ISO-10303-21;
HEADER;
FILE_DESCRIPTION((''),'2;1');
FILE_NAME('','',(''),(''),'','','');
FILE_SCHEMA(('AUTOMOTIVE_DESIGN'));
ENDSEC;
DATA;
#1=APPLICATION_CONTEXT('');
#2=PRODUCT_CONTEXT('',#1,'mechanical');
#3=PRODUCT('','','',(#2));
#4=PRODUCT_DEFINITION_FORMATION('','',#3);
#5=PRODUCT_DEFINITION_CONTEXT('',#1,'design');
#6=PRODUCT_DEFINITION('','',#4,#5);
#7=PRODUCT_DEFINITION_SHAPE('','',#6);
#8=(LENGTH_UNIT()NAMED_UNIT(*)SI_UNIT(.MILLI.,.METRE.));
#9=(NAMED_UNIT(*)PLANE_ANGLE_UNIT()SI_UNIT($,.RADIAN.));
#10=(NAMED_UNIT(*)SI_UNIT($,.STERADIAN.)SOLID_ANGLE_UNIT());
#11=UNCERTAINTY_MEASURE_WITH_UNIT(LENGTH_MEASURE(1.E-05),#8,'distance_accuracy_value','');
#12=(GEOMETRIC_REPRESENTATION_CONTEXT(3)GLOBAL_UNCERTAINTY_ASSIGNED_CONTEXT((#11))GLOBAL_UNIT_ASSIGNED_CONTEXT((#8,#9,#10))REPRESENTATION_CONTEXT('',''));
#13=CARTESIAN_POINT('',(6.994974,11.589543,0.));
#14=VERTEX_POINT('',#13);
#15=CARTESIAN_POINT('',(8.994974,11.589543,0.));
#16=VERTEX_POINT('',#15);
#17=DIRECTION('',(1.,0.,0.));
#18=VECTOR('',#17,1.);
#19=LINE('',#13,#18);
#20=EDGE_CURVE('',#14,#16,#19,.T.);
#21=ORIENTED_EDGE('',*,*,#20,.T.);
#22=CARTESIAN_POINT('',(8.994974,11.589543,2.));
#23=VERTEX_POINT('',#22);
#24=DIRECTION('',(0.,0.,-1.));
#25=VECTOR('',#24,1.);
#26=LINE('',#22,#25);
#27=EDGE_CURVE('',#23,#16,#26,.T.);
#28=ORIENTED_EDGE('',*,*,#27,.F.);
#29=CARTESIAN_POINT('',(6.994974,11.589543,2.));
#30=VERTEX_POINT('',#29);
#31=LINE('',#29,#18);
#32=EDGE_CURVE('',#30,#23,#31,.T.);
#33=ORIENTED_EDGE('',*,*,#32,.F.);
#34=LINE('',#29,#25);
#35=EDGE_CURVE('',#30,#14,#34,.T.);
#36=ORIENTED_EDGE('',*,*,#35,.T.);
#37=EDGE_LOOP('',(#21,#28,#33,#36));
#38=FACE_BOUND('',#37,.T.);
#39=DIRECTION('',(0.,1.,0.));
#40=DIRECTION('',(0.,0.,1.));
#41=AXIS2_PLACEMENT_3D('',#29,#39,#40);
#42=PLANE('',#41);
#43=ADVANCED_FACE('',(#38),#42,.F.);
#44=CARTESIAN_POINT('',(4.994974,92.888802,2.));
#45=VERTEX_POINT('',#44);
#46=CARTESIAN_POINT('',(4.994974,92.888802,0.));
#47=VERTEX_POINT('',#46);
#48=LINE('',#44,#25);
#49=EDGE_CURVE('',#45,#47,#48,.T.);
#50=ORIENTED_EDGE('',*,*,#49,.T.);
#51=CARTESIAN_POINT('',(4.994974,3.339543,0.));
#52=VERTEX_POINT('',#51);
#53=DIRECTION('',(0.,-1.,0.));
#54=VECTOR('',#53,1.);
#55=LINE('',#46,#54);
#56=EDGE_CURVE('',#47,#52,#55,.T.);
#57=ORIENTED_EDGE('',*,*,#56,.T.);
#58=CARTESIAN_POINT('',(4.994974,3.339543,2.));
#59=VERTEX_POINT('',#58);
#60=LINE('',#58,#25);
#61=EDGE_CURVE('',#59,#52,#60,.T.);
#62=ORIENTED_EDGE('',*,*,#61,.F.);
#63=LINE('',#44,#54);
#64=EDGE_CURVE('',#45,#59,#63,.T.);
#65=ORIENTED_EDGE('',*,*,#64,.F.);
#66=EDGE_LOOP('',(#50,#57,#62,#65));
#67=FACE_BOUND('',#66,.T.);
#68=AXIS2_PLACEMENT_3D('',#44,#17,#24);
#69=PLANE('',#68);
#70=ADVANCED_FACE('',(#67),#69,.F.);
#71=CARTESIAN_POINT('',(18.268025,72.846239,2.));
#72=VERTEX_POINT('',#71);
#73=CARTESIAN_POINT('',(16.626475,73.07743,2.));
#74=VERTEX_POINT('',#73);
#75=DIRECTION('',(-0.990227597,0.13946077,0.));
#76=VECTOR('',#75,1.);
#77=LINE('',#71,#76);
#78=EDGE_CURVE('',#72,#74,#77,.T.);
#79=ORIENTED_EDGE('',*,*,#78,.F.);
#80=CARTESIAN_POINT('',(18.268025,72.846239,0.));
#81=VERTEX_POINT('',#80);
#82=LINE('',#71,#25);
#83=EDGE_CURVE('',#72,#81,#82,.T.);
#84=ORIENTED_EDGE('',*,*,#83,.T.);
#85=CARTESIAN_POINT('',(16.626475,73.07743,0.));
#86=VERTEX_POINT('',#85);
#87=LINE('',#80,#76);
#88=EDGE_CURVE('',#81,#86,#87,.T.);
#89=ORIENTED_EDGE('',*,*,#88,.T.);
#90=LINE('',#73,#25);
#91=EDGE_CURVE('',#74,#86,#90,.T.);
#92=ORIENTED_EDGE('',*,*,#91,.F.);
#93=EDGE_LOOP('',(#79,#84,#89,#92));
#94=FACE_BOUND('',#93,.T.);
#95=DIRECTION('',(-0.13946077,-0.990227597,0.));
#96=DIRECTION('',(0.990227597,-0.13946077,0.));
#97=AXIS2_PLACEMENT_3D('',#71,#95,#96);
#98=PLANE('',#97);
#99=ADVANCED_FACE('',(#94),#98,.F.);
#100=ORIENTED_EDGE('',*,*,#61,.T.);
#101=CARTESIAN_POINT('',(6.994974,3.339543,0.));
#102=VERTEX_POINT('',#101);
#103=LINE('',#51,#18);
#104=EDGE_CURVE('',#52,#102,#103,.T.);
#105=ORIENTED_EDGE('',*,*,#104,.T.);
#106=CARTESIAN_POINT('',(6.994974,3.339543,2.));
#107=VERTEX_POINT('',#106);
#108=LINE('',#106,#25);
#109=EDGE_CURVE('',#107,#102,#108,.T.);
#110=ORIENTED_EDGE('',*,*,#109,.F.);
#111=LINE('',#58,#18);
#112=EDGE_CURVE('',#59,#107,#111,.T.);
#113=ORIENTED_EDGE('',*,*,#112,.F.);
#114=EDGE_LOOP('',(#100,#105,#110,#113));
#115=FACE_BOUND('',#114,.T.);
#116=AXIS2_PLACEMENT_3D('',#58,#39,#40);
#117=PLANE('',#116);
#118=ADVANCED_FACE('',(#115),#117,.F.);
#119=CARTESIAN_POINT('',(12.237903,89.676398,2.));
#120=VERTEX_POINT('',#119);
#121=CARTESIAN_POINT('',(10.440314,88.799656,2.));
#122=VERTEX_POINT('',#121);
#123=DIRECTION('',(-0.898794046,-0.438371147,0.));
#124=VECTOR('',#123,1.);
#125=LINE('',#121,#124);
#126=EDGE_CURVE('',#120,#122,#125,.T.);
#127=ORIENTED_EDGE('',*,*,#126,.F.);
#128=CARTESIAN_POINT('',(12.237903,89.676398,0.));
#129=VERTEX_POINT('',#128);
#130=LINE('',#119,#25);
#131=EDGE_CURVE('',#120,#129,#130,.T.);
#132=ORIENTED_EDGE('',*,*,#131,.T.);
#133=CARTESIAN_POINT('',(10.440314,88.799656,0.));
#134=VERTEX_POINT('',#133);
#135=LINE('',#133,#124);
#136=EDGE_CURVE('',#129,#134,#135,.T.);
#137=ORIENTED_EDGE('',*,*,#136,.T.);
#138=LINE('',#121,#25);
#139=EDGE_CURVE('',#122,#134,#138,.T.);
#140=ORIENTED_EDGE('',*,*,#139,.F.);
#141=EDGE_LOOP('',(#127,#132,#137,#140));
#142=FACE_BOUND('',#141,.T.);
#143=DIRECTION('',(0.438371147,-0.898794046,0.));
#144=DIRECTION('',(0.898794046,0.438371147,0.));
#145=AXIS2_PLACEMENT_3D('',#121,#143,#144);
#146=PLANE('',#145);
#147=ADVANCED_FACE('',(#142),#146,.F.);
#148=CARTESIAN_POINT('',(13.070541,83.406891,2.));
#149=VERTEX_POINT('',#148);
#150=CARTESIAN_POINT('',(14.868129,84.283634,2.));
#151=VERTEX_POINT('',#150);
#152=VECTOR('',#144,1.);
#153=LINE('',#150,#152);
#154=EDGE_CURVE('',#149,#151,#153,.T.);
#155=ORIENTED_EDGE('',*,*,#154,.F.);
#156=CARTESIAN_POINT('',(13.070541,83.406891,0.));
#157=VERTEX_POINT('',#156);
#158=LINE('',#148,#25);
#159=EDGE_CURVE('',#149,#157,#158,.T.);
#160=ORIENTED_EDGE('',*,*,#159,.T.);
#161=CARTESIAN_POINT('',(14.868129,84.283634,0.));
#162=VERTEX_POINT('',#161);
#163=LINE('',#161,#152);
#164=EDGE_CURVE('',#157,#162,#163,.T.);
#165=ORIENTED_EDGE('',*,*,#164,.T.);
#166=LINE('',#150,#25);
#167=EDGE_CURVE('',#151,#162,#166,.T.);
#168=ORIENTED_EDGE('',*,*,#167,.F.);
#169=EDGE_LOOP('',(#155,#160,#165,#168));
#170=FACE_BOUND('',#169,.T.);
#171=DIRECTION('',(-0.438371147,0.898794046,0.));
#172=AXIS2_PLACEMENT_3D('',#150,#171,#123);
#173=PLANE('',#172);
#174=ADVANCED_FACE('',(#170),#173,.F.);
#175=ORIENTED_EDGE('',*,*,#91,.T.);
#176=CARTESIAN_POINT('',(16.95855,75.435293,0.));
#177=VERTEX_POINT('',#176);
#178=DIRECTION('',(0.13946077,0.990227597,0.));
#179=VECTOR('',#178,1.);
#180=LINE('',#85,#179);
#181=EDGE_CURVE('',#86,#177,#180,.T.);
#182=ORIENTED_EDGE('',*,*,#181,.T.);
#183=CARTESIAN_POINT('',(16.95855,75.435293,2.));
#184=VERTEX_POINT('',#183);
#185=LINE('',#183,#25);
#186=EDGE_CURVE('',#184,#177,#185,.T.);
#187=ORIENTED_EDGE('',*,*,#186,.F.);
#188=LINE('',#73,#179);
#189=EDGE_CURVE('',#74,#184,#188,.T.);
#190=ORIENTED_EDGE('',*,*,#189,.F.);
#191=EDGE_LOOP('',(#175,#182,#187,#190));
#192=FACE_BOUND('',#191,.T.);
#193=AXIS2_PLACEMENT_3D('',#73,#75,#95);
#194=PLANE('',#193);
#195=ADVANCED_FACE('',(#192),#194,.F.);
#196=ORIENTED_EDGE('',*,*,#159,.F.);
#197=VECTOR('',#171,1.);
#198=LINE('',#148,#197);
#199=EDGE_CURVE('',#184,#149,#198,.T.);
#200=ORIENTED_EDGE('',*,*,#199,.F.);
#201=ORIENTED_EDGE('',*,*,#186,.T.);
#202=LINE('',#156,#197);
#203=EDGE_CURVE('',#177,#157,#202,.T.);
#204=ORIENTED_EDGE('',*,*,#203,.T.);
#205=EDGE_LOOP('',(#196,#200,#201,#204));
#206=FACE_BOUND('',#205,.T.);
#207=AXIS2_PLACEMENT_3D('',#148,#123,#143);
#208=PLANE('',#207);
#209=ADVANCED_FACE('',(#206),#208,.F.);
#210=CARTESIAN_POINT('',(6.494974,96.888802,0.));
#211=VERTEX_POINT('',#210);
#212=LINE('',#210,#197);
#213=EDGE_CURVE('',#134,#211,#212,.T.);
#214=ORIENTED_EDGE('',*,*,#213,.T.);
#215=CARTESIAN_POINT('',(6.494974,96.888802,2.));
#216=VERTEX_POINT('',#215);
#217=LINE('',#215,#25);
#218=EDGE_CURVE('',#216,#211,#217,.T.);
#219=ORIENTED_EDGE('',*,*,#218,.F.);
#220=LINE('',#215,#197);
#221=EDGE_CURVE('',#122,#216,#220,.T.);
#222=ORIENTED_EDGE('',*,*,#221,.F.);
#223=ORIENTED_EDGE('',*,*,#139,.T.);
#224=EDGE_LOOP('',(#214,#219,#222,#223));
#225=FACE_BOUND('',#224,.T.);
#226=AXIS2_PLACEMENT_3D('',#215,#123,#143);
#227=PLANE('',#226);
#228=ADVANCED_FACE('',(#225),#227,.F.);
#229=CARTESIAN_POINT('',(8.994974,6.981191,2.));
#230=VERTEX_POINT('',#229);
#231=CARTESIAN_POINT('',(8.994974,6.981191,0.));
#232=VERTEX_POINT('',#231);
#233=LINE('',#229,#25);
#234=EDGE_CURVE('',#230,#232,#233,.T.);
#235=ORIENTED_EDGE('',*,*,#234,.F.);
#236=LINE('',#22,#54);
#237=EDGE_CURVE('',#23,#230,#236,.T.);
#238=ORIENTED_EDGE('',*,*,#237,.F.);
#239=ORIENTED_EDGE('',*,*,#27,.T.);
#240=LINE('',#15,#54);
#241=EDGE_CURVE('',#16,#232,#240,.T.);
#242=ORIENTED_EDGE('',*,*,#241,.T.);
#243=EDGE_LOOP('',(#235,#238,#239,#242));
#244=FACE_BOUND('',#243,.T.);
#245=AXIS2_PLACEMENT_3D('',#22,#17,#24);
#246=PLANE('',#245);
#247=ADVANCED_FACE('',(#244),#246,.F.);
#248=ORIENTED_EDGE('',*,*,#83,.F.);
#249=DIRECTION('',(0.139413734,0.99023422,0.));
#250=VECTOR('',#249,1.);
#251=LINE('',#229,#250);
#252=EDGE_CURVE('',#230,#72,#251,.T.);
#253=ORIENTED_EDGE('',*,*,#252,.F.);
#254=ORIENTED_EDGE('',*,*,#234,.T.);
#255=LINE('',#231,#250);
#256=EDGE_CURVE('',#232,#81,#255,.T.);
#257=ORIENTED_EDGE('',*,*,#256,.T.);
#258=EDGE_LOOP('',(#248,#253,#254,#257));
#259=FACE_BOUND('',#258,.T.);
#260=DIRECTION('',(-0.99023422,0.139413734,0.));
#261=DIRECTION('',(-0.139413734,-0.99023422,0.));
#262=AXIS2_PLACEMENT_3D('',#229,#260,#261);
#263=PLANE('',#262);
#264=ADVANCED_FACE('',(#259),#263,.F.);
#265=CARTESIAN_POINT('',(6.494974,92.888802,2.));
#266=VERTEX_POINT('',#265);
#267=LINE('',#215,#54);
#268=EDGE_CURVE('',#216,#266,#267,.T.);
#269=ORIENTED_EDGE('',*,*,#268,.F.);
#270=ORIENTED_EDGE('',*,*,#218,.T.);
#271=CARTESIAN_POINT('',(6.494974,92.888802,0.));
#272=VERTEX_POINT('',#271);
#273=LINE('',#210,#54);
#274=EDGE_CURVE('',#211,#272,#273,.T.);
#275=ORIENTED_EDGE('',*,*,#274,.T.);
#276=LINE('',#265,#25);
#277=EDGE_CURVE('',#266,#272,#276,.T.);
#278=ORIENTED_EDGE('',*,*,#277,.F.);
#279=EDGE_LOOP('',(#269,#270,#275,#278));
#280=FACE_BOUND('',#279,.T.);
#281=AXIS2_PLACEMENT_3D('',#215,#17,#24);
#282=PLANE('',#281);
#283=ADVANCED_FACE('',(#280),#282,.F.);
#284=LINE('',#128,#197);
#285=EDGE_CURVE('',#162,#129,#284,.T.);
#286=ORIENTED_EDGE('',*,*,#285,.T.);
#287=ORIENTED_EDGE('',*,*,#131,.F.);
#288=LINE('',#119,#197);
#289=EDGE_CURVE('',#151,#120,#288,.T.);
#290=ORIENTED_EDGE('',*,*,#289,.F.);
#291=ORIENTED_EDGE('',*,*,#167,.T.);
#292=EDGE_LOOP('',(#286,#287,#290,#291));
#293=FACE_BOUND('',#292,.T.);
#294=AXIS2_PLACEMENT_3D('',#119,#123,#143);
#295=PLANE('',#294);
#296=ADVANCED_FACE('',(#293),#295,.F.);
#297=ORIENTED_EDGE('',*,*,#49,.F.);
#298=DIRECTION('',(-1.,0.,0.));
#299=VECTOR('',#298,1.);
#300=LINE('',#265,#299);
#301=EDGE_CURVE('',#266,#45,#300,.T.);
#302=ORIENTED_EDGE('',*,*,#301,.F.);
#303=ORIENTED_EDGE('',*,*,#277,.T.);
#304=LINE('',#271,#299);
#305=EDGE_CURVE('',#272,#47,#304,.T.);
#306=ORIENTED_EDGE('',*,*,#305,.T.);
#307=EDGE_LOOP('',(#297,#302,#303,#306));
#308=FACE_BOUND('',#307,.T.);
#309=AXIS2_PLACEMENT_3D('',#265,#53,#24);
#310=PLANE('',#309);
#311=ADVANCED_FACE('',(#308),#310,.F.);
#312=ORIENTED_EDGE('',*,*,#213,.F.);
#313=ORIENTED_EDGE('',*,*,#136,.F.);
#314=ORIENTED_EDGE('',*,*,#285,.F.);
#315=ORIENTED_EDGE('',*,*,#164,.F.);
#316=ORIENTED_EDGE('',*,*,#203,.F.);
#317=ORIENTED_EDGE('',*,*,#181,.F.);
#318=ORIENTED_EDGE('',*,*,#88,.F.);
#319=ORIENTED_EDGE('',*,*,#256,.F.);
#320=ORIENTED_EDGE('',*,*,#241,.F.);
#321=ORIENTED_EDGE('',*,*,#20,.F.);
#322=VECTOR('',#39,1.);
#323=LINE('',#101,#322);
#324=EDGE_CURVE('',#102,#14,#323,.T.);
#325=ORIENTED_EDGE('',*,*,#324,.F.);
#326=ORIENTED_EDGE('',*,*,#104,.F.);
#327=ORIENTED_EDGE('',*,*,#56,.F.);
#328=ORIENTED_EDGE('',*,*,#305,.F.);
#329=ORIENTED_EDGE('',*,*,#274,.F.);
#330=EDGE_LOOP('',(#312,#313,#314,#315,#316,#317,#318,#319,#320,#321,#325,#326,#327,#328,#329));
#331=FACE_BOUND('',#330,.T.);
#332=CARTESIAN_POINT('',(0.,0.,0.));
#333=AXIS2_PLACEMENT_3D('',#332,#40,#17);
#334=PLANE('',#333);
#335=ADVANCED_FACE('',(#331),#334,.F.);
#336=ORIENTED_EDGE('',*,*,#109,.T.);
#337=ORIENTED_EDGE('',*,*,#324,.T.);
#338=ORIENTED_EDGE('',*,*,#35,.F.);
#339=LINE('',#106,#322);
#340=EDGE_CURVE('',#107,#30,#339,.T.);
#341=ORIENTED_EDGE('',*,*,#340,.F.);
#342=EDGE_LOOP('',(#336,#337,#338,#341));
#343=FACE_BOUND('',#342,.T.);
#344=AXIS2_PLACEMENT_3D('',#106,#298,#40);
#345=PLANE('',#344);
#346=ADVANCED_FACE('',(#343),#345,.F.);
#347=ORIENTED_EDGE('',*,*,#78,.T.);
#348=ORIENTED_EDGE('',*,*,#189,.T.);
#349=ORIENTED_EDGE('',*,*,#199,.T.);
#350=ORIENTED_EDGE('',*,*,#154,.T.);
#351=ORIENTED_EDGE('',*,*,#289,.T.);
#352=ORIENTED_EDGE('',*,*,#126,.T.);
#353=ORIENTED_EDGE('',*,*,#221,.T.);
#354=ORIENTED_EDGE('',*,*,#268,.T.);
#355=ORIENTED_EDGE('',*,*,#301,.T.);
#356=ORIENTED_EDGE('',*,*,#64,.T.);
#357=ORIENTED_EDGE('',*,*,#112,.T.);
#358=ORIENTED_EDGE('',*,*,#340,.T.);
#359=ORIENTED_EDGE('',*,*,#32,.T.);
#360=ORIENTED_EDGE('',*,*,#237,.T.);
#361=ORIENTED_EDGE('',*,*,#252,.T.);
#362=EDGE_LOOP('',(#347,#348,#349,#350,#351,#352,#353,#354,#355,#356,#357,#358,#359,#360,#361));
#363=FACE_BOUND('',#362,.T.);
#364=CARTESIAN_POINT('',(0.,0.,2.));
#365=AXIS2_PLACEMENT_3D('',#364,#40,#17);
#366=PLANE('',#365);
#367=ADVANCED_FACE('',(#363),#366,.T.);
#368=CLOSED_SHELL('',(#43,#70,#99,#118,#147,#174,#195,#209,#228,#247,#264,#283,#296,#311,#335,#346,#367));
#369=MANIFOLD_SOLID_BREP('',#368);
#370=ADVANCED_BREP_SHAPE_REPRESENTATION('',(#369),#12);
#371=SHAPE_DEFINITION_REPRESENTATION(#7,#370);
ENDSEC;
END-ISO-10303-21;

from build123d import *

# Parameters (mm, degrees)
EXTRUDE_1_DEPTH = 2


with BuildPart() as part:
    # 草图1 → 凸台-拉伸1 (new body)
    with BuildSketch(Plane.XY):
        Polygon((6.494974155, 96.888801997), (6.494974155, 92.888801997), (4.994974155, 92.888801997), (4.994974155, 3.339543319), (6.994974155, 3.339543319), (6.994974155, 11.589543319), (8.994974155, 11.589543319), (8.994974155, 6.981191281), (18.268024931, 72.846238904), (16.626474953, 73.077430022), (16.958549535, 75.435293199), (13.070541357, 83.406891303), (14.86812945, 84.283633596), (12.237902569, 89.676397874), (10.440314476, 88.79965558), align=None)
    extrude(amount=EXTRUDE_1_DEPTH)


solid = part.part
